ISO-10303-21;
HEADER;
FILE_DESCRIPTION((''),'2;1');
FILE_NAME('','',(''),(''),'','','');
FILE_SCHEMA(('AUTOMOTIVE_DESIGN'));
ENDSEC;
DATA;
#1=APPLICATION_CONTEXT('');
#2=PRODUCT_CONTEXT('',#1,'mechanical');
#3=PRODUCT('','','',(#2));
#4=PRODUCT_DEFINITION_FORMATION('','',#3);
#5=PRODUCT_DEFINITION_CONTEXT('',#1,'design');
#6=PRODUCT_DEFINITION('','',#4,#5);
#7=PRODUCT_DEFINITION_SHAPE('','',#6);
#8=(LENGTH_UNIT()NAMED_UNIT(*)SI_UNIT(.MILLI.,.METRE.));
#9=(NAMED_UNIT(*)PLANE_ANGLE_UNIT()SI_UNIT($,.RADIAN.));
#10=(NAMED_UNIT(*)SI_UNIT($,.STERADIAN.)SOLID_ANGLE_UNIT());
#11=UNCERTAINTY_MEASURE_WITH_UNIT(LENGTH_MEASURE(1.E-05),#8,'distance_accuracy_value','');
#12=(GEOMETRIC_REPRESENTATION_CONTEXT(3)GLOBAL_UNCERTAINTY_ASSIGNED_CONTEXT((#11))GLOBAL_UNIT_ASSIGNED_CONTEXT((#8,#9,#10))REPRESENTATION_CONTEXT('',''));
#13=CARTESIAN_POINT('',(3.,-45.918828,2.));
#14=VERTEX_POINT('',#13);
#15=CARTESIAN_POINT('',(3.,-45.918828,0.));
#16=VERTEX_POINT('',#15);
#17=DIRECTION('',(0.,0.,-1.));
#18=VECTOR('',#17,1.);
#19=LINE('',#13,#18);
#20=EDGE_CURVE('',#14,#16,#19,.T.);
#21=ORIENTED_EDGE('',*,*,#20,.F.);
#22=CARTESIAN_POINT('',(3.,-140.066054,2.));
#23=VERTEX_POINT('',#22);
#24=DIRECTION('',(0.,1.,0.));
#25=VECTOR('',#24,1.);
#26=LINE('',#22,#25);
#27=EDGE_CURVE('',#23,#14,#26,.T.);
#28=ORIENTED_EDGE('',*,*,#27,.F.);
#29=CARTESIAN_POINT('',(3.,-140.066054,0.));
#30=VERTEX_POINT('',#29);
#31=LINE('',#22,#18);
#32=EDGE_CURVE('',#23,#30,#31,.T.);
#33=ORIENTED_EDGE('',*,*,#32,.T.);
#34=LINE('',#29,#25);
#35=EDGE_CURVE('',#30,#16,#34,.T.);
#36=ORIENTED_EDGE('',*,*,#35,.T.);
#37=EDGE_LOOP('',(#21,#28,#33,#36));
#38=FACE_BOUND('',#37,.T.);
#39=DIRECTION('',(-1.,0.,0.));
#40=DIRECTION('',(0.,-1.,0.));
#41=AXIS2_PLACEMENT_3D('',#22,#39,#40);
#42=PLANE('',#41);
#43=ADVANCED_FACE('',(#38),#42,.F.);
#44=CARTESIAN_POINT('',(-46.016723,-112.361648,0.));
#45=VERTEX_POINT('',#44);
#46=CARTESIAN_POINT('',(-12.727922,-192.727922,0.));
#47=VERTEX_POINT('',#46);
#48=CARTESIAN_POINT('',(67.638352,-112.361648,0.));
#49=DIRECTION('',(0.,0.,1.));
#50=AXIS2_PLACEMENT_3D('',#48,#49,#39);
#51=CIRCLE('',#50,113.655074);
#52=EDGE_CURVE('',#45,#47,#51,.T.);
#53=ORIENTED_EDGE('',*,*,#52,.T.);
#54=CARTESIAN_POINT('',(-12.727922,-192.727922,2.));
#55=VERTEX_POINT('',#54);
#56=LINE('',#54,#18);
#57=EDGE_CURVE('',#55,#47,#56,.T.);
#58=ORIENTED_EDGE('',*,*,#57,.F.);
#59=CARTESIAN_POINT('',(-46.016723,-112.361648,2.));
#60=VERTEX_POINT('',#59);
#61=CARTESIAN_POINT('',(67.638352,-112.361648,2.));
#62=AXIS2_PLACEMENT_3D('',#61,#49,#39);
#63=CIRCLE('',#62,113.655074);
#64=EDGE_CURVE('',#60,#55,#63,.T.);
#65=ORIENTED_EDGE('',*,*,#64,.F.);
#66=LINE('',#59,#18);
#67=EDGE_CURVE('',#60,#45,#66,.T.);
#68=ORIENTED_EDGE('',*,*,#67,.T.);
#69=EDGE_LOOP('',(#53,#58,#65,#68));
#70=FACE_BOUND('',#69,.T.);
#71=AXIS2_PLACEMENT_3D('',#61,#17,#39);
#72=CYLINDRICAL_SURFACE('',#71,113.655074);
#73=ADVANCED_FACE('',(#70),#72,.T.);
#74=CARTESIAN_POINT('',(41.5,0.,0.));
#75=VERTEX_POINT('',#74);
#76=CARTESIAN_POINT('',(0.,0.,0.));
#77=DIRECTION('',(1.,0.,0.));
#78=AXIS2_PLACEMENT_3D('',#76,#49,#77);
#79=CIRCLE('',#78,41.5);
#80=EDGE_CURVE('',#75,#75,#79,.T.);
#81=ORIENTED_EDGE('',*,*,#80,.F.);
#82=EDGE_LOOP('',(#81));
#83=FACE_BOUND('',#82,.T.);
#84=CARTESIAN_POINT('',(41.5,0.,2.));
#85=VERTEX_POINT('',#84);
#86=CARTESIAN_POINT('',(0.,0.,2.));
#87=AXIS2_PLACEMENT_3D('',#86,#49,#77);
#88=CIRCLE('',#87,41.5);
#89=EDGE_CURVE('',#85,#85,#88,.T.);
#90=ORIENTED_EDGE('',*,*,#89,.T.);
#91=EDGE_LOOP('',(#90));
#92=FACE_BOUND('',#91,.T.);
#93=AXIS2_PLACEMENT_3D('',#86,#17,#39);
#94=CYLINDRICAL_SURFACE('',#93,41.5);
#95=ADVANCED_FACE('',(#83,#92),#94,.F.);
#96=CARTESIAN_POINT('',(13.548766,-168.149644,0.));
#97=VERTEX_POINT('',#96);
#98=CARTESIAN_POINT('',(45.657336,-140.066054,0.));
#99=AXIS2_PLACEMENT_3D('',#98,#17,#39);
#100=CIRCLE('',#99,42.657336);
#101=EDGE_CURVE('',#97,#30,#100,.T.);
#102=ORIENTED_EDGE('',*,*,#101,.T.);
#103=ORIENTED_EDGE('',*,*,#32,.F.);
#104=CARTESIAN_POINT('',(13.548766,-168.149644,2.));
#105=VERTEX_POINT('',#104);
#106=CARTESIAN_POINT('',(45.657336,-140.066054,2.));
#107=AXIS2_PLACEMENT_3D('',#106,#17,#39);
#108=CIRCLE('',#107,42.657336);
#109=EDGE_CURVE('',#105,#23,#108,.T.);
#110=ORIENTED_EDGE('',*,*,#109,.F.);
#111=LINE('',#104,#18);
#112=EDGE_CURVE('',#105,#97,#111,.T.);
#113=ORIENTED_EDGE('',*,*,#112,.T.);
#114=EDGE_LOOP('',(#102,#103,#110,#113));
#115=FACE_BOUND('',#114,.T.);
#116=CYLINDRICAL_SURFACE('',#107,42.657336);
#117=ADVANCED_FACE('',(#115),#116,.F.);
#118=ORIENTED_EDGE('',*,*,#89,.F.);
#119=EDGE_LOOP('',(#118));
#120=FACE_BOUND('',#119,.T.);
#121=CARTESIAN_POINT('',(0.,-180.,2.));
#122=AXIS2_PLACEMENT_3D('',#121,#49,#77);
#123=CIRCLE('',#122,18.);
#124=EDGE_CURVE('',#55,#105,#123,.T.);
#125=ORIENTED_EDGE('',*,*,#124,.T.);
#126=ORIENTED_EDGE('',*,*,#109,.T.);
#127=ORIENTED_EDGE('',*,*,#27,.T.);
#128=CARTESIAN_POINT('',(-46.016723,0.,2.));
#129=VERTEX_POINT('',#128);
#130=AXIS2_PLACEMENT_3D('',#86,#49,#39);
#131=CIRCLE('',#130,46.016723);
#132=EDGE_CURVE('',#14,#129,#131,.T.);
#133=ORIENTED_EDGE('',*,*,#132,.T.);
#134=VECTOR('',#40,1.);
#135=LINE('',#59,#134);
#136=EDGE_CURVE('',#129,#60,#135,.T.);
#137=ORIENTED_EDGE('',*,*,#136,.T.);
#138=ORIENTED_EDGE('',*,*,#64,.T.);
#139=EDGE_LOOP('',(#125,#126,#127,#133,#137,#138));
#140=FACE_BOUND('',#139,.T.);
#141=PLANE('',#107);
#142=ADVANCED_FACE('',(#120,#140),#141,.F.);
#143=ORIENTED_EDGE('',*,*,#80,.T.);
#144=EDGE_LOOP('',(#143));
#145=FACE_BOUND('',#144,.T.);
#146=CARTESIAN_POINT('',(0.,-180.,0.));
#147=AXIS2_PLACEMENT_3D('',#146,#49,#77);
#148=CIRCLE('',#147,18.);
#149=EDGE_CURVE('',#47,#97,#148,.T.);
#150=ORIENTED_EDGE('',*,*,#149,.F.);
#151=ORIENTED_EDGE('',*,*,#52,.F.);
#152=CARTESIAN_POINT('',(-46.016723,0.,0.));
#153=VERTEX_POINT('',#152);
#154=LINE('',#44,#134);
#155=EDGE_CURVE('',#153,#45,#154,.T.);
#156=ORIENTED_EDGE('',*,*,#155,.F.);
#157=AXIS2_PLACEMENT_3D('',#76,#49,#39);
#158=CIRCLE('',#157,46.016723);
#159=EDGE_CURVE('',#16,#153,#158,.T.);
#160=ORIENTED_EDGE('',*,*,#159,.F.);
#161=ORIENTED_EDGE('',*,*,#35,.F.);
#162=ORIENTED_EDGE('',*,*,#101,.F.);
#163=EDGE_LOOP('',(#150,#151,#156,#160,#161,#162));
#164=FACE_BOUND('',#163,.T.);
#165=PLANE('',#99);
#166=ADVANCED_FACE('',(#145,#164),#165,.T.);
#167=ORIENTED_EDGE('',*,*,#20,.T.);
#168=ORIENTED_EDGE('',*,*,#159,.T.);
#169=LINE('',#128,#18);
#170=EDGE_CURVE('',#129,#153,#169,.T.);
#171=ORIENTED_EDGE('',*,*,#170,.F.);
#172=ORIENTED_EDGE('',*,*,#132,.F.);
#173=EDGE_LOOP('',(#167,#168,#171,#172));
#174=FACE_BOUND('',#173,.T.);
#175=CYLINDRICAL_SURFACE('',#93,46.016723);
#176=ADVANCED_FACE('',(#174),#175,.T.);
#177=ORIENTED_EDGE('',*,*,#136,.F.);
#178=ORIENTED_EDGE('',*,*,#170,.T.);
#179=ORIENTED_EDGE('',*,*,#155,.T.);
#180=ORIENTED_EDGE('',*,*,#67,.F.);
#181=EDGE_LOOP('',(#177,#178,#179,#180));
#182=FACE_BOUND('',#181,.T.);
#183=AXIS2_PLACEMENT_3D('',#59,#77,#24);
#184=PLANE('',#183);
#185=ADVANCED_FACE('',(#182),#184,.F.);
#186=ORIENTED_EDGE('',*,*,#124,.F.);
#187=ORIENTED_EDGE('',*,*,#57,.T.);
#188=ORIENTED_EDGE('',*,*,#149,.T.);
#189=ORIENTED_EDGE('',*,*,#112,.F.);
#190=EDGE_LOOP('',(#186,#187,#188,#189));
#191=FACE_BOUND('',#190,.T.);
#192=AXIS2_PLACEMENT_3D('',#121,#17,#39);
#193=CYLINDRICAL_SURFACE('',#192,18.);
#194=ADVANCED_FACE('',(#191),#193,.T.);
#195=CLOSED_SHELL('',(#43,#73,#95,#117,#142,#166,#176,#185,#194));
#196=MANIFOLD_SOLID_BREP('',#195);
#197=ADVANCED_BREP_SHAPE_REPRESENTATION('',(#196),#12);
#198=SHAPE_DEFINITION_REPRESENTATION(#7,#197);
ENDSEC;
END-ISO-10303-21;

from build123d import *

# Parameters (mm, degrees)
SKETCH_1_R      = 41.5
EXTRUDE_1_DEPTH = 2


with BuildPart() as part:
    # 草图1 → 凸台-拉伸1 (new body)
    with BuildSketch(Plane.XY):
        with BuildLine():
            Line((3, -140.066053532), (3, -45.918827896))
            ThreePointArc((3, -45.918827896), (31.460201745, 33.582651198), (-46.016722562, 0))
            Line((-46.016722562, 0), (-46.016722562, -112.361648418))
            ThreePointArc((-46.016722562, -112.361648418), (-37.365245186, -155.855562297), (-12.727922061, -192.727922061))
            ThreePointArc((-12.727922061, -192.727922061), (12.295990665, -193.145669004), (13.548765941, -168.149643825))
            ThreePointArc((13.548765941, -168.149643825), (5.724176996, -155.065757751), (3, -140.066053532))
        make_face()
        Circle(SKETCH_1_R, mode=Mode.SUBTRACT)
    extrude(amount=EXTRUDE_1_DEPTH)


solid = part.part
